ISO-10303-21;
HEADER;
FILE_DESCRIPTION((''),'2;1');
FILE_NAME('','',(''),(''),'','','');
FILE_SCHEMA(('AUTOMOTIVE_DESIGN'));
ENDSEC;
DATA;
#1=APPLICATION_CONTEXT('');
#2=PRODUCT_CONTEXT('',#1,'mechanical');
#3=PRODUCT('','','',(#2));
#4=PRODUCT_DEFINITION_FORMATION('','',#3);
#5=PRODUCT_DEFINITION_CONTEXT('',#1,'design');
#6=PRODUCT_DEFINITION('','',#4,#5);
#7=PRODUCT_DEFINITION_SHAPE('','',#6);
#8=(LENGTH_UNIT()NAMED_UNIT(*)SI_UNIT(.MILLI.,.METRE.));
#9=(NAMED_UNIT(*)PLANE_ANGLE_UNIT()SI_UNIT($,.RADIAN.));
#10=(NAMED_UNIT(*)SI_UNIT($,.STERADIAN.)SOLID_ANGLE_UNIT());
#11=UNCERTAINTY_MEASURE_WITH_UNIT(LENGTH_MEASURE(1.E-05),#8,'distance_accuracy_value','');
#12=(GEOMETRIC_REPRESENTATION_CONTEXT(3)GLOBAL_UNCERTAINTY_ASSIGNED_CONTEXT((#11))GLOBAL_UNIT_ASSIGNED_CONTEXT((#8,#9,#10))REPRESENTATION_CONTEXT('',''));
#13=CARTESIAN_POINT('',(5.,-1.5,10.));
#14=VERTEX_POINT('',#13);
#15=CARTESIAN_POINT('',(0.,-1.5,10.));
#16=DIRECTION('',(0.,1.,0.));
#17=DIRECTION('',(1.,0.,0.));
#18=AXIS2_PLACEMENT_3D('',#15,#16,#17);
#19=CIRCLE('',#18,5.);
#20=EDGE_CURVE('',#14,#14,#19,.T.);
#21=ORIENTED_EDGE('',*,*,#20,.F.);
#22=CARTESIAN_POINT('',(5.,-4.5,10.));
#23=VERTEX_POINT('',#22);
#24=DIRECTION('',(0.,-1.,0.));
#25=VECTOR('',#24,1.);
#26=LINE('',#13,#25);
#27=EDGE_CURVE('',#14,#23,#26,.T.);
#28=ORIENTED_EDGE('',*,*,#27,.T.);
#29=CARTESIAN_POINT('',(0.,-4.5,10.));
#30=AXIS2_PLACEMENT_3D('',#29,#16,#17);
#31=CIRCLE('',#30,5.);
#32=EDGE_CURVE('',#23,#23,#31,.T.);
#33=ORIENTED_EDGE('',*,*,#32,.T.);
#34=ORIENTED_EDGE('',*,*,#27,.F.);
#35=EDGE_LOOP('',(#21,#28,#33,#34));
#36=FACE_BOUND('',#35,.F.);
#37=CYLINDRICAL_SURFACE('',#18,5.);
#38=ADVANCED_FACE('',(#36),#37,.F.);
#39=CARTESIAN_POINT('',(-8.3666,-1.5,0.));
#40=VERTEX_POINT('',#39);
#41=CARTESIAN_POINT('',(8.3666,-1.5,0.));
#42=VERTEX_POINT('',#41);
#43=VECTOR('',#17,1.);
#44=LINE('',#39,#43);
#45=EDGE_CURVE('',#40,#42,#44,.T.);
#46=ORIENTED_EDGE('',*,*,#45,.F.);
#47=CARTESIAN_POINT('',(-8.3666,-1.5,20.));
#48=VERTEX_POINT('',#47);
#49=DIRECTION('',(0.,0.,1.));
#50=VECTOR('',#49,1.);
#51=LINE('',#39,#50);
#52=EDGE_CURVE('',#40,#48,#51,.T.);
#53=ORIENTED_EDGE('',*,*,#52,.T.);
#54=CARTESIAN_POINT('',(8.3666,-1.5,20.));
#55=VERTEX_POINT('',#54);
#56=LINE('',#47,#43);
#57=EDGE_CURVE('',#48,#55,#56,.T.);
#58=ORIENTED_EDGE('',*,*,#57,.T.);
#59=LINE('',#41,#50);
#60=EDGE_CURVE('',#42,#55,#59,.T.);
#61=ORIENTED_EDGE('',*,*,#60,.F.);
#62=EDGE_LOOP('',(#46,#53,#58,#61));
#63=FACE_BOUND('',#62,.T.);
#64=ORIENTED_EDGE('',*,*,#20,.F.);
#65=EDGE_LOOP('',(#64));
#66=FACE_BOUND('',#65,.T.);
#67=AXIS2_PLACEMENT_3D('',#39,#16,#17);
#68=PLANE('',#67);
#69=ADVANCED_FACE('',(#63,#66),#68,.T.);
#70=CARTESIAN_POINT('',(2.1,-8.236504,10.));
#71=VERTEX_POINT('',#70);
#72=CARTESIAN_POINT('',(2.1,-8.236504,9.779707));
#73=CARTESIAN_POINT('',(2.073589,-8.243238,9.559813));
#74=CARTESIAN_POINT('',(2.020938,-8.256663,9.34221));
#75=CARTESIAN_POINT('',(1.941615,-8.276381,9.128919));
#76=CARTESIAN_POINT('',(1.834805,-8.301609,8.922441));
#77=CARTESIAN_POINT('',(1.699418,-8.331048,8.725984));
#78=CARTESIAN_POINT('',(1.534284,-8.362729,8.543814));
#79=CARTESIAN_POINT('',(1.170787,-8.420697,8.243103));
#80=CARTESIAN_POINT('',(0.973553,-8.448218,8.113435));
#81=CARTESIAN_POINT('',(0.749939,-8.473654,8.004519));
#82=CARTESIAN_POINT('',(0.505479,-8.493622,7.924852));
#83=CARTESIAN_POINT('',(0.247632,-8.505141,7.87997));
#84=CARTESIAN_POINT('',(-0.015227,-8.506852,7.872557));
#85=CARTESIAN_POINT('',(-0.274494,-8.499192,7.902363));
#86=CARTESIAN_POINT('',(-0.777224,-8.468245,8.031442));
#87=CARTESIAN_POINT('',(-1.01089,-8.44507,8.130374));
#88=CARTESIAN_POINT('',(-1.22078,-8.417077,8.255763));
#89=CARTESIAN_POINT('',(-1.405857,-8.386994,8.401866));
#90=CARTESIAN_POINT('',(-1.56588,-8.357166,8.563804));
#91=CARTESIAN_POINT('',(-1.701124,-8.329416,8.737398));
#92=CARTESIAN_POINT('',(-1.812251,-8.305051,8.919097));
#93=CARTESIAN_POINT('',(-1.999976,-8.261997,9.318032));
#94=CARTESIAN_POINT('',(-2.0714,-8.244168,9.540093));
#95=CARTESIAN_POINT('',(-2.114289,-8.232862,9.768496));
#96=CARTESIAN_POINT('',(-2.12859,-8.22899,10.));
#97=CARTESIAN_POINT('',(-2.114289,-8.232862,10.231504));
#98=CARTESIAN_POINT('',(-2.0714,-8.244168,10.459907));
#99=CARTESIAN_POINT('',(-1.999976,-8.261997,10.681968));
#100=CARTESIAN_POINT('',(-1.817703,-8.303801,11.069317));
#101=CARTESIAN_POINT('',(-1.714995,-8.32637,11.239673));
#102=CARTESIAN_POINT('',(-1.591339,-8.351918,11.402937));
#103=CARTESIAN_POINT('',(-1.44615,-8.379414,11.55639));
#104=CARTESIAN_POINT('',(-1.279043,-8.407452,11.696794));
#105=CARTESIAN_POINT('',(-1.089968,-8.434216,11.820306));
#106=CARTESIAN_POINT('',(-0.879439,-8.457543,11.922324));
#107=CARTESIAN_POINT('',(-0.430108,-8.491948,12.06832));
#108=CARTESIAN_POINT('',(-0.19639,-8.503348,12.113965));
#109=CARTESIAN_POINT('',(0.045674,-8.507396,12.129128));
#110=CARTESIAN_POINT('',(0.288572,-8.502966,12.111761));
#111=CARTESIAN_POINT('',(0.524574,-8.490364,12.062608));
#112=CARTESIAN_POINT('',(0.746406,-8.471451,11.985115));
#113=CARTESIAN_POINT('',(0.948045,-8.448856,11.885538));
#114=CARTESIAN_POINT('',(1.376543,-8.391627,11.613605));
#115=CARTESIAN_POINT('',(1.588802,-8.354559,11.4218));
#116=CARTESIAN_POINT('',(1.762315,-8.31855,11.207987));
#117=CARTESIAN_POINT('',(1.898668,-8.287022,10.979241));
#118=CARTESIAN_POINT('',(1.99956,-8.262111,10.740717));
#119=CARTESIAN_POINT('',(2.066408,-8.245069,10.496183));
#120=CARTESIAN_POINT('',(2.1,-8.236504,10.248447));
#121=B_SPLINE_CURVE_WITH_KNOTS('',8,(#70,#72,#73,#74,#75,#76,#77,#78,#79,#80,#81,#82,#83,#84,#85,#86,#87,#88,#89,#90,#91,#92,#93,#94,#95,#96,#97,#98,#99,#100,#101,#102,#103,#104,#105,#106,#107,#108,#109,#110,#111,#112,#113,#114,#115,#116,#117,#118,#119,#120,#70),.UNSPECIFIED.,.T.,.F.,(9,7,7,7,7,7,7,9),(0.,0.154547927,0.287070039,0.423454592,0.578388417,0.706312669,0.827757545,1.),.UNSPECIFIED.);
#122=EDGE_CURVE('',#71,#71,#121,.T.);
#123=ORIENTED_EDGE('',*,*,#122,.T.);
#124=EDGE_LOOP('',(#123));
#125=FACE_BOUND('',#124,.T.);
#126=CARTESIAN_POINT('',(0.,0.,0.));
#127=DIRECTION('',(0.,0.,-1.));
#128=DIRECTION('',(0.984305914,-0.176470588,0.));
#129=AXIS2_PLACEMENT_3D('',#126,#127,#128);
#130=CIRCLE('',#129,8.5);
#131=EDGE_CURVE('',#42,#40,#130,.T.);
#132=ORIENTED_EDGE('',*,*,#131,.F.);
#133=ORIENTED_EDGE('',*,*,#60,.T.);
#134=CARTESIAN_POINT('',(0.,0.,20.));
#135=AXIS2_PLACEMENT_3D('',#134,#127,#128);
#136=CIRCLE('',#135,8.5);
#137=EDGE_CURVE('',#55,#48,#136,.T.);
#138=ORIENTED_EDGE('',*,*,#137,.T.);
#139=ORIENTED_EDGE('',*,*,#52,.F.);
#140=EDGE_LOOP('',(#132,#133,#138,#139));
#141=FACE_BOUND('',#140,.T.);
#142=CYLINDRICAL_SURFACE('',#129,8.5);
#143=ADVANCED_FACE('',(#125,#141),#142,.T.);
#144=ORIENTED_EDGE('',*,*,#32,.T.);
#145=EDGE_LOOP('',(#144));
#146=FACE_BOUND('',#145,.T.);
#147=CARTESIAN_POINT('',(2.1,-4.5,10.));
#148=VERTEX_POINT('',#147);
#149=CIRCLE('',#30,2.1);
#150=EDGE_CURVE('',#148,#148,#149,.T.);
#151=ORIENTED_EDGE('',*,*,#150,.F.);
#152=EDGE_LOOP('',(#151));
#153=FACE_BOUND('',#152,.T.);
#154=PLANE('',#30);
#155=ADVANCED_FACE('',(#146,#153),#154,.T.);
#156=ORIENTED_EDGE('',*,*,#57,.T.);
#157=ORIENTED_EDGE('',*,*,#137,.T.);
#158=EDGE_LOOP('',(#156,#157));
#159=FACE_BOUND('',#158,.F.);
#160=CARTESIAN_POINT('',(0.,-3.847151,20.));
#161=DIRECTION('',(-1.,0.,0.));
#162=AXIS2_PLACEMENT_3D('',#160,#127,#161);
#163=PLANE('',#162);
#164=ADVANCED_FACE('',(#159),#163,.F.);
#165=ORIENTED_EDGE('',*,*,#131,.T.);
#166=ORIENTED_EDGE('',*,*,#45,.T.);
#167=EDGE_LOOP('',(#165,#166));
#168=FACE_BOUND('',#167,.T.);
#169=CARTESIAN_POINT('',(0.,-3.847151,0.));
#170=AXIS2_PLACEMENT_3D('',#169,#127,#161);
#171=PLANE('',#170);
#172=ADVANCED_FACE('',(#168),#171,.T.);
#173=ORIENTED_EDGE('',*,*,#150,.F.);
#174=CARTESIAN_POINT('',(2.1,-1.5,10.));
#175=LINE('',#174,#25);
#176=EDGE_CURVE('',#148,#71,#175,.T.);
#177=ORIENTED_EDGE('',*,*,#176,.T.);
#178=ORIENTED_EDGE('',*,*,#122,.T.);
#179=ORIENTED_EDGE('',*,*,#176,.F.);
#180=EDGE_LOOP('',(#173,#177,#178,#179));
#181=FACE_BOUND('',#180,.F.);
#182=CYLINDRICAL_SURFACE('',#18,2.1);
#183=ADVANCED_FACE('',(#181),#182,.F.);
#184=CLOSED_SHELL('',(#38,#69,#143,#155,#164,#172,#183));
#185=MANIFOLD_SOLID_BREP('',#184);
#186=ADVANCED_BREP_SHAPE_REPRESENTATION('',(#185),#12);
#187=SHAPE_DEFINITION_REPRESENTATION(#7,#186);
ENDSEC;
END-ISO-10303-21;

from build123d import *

# Parameters (mm, degrees)
BOSS_EXTRUDE1_DEPTH = 20
SKETCH2_R           = 2.1
CUT_EXTRUDE1_DEPTH  = 8
SKETCH3_R           = 5
CUT_EXTRUDE2_DEPTH  = 3


with BuildPart() as part:
    # Sketch1 → Boss-Extrude1 (new body)
    with BuildSketch(Plane.XY):
        with BuildLine():
            Line((-8.366600265, -1.5), (8.366600265, -1.5))
            ThreePointArc((8.366600265, -1.5), (0, -8.5), (-8.366600265, -1.5))
        make_face()
    extrude(amount=BOSS_EXTRUDE1_DEPTH)

    # Sketch2 → Cut-Extrude1 (cut, through all)
    with BuildSketch(Plane(origin=(0, -1.5, 0), x_dir=(1, 0, 0), z_dir=(0, 1, 0))):
        with Locations((0, -10)):
            Circle(SKETCH2_R)
    extrude(amount=-CUT_EXTRUDE1_DEPTH, mode=Mode.SUBTRACT)

    # Sketch3 → Cut-Extrude2 (cut)
    with BuildSketch(Plane(origin=(0, -1.5, 0), x_dir=(1, 0, 0), z_dir=(0, 1, 0))):
        with Locations((0, -10)):
            Circle(SKETCH3_R)
    extrude(amount=-CUT_EXTRUDE2_DEPTH, mode=Mode.SUBTRACT)


solid = part.part
